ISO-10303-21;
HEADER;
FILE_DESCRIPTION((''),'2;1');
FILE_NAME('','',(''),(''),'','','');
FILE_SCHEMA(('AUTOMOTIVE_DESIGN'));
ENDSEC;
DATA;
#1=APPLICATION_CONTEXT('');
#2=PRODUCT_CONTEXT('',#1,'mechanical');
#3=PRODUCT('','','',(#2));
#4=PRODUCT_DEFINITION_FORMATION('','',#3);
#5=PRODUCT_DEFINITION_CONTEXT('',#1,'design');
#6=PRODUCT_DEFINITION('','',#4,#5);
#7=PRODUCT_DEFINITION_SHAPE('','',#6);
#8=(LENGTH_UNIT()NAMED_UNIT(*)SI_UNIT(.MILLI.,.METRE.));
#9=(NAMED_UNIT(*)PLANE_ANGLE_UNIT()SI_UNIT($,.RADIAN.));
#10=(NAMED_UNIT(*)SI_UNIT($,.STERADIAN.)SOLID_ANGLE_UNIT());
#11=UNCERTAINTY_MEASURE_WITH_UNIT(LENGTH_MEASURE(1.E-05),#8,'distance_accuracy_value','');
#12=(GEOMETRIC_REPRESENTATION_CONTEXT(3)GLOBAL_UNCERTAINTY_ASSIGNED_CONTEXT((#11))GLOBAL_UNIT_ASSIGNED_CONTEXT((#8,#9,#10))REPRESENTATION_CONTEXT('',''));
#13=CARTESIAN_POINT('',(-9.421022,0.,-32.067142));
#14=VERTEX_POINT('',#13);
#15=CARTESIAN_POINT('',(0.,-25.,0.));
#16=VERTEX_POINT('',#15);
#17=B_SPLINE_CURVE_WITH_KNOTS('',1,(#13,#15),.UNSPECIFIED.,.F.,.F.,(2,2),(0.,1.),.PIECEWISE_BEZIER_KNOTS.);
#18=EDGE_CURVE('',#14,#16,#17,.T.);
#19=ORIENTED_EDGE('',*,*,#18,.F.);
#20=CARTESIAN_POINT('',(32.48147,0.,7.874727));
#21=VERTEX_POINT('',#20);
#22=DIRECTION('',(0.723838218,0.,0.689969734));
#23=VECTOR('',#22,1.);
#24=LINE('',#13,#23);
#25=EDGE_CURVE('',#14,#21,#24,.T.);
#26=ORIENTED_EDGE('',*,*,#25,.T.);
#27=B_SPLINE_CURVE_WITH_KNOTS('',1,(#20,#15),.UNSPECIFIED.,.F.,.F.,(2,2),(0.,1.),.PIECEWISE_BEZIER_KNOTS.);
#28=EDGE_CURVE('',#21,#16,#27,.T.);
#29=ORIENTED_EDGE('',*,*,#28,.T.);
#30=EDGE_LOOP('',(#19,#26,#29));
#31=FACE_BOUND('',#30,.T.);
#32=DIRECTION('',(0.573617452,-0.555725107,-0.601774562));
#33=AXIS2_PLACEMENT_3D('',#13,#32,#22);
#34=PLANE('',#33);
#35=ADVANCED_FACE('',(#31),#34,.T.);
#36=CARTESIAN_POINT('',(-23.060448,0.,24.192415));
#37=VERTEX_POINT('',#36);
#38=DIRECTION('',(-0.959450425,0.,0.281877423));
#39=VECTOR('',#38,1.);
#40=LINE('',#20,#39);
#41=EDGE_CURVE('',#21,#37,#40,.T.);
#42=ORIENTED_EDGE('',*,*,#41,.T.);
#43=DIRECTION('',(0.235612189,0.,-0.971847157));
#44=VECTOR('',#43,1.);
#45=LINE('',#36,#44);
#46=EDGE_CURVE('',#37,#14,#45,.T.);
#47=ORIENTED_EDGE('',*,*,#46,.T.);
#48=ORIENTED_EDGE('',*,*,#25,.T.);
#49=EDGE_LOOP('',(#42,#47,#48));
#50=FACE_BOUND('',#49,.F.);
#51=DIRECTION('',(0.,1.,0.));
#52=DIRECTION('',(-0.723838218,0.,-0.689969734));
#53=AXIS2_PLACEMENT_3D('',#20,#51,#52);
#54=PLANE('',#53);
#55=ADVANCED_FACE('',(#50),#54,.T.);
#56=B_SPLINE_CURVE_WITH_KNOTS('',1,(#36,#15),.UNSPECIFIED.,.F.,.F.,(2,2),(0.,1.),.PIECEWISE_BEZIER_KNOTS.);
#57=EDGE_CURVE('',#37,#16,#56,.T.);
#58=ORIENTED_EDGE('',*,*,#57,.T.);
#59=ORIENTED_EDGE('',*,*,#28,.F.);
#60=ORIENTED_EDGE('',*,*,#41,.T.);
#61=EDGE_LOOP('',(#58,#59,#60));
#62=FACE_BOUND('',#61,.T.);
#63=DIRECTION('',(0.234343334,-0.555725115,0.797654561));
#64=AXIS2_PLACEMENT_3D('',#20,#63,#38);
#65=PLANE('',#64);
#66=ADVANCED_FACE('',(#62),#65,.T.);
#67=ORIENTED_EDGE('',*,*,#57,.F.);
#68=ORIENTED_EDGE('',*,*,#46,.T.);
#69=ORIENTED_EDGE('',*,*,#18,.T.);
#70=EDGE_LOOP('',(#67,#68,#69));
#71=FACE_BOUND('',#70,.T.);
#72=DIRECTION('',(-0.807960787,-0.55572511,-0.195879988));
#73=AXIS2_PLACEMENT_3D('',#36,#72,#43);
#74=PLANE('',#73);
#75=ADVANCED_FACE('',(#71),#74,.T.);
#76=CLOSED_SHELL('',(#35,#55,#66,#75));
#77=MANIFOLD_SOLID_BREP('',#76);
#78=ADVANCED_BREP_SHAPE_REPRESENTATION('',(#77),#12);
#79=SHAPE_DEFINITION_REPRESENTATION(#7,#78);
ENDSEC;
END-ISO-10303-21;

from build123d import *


with BuildPart() as f3:
    # F0 (on Front) → F3 section 0
    with BuildSketch(Plane.XZ, mode=Mode.PRIVATE) as f3_s0:
        Polygon((32.48147, 7.874727), (-23.060448, 24.192415), (-9.421022, -32.067142), align=None)
    loft([f3_s0.sketch, Vertex(0, -25, 0)])


solid = f3.part
